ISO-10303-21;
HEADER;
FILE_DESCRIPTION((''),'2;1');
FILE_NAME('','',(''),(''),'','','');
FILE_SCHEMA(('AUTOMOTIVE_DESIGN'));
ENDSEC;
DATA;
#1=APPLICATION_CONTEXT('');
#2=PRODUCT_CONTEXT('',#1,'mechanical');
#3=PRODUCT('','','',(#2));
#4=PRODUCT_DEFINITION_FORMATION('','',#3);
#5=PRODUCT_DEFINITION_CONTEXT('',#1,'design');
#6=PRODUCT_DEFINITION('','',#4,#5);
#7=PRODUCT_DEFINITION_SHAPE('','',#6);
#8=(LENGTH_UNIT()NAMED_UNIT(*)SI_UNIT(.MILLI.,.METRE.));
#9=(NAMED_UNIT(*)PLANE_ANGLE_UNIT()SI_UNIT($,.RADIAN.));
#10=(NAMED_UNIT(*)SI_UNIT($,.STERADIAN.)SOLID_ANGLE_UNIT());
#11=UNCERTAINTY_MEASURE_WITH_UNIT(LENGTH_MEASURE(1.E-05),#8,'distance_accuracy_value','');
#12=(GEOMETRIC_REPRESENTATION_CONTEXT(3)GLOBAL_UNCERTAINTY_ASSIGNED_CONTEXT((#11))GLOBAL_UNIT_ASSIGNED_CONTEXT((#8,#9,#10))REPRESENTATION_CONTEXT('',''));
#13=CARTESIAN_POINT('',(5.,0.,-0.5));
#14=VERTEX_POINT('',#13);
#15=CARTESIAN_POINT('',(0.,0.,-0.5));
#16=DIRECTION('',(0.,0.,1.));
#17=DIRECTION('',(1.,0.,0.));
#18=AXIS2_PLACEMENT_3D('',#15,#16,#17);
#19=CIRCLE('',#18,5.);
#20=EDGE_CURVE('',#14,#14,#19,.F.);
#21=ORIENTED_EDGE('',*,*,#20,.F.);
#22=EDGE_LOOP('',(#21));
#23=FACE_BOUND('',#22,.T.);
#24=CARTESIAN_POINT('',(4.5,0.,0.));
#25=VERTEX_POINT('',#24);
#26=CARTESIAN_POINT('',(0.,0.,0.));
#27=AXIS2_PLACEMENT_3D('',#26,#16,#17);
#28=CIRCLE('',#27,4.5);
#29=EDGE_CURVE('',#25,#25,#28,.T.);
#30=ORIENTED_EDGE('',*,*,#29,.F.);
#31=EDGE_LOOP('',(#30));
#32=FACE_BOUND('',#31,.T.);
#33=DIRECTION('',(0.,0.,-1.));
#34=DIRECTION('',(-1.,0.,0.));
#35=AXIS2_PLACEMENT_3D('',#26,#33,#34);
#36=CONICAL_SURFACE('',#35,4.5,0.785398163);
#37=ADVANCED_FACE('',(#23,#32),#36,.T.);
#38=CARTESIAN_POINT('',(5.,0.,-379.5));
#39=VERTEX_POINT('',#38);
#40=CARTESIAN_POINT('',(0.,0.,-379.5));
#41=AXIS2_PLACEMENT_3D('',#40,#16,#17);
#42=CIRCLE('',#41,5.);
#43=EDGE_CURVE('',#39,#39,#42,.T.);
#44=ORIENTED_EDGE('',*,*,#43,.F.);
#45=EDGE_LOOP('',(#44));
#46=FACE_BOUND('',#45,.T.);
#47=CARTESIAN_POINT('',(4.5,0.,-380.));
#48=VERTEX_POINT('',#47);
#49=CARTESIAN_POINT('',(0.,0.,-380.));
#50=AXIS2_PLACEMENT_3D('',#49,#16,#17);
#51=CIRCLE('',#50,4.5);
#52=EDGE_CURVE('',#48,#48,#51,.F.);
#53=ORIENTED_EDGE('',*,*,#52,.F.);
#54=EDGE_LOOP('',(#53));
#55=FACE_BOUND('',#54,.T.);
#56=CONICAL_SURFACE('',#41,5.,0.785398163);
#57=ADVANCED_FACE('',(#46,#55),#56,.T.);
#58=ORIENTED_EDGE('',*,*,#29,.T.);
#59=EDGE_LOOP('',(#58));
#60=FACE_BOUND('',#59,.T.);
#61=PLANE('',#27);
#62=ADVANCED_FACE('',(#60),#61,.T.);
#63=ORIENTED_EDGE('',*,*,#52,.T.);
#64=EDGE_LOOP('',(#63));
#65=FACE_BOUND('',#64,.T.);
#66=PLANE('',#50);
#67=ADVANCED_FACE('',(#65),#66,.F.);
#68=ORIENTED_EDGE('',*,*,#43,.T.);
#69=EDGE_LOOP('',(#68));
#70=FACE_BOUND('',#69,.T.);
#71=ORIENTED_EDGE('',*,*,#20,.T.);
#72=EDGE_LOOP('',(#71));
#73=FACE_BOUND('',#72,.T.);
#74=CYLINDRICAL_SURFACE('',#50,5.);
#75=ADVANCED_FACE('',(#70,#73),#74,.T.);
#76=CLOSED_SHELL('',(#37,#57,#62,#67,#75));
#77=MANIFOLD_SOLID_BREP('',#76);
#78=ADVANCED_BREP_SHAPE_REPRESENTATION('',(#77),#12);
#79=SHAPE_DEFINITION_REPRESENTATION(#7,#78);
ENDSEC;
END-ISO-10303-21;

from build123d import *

# Parameters (mm, degrees)
SKETCH1_R           = 5
BOSS_EXTRUDE1_DEPTH = 380
CHAMFER1_SIZE       = 0.5


with BuildPart() as part:
    # Sketch1 → Boss-Extrude1 (new body)
    with BuildSketch(Plane.XY):
        Circle(SKETCH1_R)
    extrude(amount=-BOSS_EXTRUDE1_DEPTH)

    # Chamfer1
    chamfer1_edges = [part.edges().sort_by_distance(p)[0] for p in [
        (-5, 0, 0),
        (-5, 0, -380),
    ]]
    chamfer(chamfer1_edges, length=CHAMFER1_SIZE)


solid = part.part
